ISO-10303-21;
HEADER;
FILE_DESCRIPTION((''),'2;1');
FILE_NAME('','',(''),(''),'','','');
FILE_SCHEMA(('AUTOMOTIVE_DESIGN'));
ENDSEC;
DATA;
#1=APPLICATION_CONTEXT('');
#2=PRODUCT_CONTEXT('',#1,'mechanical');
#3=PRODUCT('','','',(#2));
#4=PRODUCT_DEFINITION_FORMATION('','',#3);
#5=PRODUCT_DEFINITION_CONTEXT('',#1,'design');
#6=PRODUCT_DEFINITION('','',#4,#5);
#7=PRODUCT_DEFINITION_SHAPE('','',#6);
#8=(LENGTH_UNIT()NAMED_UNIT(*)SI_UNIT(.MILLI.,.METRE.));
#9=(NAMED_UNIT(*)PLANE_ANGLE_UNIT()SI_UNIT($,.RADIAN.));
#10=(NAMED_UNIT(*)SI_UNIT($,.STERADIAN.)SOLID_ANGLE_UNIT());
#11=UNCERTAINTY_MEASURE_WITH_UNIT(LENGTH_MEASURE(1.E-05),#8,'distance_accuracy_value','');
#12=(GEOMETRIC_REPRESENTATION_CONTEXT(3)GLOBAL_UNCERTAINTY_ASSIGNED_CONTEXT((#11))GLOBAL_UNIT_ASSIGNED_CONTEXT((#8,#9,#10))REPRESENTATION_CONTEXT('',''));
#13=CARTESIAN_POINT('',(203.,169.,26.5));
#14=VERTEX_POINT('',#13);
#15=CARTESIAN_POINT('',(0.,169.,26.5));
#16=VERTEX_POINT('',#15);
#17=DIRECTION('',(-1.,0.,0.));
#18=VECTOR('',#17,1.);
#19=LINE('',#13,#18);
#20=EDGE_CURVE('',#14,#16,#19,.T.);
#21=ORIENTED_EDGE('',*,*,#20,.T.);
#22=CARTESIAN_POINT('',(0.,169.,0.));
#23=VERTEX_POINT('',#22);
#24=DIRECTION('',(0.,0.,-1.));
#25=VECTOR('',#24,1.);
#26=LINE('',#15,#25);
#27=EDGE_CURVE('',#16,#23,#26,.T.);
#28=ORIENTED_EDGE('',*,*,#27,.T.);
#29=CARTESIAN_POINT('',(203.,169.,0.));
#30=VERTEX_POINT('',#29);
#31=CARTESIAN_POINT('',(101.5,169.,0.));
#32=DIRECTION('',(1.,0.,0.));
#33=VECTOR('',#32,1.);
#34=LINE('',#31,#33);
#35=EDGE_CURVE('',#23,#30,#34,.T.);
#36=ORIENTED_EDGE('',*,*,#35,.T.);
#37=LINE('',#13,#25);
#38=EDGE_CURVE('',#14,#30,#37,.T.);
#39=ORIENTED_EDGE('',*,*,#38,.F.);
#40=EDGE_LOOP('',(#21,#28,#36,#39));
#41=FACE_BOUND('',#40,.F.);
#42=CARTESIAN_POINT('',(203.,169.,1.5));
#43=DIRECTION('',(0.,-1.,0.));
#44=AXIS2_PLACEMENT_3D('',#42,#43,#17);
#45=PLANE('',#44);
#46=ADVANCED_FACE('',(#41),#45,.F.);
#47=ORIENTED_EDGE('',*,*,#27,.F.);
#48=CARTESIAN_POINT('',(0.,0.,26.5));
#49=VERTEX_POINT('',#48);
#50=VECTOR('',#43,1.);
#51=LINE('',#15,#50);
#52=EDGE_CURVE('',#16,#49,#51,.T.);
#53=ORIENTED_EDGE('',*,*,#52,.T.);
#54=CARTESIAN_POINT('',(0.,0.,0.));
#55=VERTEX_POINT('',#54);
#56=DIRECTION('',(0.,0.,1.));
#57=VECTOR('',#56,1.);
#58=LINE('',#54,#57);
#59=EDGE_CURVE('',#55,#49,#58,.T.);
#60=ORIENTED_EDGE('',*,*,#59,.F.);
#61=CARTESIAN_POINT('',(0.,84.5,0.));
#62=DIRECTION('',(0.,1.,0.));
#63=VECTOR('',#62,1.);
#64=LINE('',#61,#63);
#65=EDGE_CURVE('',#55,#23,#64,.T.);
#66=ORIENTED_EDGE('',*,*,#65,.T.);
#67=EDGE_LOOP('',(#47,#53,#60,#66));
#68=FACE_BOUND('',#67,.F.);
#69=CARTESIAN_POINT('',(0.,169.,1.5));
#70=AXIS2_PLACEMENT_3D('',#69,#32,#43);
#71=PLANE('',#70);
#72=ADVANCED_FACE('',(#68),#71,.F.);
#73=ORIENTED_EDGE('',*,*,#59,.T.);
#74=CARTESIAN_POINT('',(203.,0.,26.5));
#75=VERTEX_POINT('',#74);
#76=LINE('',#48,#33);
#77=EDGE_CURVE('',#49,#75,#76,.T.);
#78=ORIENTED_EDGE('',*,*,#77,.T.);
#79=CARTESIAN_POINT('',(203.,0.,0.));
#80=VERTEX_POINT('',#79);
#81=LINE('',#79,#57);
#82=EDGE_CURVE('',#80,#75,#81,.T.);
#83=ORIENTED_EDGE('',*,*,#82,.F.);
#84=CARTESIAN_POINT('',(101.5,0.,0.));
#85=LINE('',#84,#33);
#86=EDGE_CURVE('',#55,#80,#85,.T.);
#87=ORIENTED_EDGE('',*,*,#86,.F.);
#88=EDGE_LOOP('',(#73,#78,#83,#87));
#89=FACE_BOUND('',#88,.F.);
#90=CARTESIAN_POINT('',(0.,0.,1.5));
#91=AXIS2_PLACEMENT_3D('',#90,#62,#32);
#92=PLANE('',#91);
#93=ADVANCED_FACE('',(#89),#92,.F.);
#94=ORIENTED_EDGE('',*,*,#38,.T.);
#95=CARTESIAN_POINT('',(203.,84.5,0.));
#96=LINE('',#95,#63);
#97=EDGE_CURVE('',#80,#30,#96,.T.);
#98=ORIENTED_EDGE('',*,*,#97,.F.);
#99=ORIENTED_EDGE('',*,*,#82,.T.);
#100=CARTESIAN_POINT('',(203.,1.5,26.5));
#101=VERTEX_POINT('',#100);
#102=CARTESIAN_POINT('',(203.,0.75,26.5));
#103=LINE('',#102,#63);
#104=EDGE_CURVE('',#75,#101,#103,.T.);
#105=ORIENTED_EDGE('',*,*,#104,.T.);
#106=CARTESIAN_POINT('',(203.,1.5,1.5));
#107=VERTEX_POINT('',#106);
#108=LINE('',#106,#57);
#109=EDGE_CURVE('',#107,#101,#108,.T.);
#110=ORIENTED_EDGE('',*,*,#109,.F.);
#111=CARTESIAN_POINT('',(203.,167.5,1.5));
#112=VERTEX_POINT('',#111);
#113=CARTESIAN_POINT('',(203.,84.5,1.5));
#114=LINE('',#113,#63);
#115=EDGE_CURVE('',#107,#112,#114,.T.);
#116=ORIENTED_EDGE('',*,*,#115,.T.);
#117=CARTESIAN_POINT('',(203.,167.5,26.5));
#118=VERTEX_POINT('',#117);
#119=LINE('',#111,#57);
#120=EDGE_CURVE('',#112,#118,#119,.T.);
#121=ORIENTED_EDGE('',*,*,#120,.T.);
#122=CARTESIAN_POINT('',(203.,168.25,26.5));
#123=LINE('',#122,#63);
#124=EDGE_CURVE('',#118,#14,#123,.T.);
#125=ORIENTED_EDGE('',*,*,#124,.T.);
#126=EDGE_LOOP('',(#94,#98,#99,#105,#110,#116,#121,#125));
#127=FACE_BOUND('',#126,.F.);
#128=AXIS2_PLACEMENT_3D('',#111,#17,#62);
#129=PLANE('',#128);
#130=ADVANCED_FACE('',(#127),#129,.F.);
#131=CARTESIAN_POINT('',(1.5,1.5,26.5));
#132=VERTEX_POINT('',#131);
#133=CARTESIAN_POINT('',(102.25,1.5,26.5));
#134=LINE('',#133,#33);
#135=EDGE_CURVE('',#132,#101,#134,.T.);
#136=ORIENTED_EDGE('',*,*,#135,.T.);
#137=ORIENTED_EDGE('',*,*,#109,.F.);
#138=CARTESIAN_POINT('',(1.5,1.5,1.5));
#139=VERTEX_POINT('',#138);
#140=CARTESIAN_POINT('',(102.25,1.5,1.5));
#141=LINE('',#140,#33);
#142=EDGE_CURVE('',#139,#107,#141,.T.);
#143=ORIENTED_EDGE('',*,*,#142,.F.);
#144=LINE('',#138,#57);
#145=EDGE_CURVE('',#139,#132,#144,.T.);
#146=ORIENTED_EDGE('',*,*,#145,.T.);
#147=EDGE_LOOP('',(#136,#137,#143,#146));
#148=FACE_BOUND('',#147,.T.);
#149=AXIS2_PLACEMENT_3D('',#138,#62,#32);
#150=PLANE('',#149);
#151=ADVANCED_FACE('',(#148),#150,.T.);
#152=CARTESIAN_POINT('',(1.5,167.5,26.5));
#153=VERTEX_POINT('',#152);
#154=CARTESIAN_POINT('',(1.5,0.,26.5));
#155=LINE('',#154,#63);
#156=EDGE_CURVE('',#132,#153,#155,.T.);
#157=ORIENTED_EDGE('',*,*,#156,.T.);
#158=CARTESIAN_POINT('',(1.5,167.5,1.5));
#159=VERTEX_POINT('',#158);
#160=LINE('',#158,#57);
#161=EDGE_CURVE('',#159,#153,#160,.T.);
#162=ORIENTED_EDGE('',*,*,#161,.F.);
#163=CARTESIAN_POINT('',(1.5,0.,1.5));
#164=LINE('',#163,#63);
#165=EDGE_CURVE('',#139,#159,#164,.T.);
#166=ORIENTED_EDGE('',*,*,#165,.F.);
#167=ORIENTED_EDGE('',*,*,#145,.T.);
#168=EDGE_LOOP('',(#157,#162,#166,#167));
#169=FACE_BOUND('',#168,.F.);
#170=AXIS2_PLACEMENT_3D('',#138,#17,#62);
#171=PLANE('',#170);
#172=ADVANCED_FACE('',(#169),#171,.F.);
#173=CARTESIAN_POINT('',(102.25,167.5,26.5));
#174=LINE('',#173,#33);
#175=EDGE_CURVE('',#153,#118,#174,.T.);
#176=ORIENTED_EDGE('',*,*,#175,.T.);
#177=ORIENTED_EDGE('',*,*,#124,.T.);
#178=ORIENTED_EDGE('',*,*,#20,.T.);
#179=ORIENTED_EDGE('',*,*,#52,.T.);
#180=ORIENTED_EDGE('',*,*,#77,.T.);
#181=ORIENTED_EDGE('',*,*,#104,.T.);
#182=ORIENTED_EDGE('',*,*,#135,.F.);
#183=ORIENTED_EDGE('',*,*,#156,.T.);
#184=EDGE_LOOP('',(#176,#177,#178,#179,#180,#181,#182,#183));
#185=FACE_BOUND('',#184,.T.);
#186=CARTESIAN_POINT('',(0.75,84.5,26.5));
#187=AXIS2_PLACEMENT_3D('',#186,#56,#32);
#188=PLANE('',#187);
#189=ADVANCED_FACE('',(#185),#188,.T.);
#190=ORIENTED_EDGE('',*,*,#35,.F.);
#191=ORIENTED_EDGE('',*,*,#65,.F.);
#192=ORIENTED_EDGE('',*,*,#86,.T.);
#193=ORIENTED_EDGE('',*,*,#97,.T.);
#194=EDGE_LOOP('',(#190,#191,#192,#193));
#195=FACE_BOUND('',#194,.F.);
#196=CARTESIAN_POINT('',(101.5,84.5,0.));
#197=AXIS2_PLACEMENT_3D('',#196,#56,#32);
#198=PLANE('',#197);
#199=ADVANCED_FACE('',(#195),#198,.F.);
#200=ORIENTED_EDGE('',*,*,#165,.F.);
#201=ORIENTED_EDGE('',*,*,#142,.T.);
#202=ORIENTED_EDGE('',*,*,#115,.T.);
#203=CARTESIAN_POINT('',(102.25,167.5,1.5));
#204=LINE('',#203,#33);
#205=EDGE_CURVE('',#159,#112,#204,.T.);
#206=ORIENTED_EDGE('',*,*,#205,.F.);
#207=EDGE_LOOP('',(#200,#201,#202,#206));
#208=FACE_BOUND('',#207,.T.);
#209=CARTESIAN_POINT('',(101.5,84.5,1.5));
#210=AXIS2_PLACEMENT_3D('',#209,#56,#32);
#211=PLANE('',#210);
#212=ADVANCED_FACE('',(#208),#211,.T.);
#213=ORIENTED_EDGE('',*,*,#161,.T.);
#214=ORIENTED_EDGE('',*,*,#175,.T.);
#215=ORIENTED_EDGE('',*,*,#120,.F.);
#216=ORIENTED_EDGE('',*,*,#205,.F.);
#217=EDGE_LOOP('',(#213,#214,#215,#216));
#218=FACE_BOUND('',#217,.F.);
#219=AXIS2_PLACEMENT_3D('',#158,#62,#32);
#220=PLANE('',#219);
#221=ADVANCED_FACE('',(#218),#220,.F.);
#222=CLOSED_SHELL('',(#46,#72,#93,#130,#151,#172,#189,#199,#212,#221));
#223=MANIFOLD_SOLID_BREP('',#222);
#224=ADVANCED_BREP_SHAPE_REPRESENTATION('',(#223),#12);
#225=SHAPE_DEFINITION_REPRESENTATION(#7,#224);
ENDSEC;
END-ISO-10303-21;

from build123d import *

# Parameters (mm, degrees)
F0_W     = 203
F0_H     = 169
F1_DEPTH = 1.5
F2_W     = 201.5
F2_H     = 1.5
F3_DEPTH = 25


with BuildPart() as f1:
    # F0 (on Top) → F1 (new body)
    with BuildSketch(Plane.XY):
        with Locations((101.5, 84.5)):
            Rectangle(F0_W, F0_H)
    extrude(amount=F1_DEPTH)

    # F2 (on face) → F3 (join)
    with BuildSketch(Plane.XY.offset(1.5)):
        Polygon((1.5, 169), (0, 169), (0, 0), (1.5, 0), (1.5, 1.5), (1.5, 167.5), align=None)
        with Locations((102.25, 0.75)):
            Rectangle(F2_W, F2_H)
        with Locations((102.25, 168.25)):
            Rectangle(F2_W, F2_H)
    extrude(amount=F3_DEPTH)


solid = f1.part
